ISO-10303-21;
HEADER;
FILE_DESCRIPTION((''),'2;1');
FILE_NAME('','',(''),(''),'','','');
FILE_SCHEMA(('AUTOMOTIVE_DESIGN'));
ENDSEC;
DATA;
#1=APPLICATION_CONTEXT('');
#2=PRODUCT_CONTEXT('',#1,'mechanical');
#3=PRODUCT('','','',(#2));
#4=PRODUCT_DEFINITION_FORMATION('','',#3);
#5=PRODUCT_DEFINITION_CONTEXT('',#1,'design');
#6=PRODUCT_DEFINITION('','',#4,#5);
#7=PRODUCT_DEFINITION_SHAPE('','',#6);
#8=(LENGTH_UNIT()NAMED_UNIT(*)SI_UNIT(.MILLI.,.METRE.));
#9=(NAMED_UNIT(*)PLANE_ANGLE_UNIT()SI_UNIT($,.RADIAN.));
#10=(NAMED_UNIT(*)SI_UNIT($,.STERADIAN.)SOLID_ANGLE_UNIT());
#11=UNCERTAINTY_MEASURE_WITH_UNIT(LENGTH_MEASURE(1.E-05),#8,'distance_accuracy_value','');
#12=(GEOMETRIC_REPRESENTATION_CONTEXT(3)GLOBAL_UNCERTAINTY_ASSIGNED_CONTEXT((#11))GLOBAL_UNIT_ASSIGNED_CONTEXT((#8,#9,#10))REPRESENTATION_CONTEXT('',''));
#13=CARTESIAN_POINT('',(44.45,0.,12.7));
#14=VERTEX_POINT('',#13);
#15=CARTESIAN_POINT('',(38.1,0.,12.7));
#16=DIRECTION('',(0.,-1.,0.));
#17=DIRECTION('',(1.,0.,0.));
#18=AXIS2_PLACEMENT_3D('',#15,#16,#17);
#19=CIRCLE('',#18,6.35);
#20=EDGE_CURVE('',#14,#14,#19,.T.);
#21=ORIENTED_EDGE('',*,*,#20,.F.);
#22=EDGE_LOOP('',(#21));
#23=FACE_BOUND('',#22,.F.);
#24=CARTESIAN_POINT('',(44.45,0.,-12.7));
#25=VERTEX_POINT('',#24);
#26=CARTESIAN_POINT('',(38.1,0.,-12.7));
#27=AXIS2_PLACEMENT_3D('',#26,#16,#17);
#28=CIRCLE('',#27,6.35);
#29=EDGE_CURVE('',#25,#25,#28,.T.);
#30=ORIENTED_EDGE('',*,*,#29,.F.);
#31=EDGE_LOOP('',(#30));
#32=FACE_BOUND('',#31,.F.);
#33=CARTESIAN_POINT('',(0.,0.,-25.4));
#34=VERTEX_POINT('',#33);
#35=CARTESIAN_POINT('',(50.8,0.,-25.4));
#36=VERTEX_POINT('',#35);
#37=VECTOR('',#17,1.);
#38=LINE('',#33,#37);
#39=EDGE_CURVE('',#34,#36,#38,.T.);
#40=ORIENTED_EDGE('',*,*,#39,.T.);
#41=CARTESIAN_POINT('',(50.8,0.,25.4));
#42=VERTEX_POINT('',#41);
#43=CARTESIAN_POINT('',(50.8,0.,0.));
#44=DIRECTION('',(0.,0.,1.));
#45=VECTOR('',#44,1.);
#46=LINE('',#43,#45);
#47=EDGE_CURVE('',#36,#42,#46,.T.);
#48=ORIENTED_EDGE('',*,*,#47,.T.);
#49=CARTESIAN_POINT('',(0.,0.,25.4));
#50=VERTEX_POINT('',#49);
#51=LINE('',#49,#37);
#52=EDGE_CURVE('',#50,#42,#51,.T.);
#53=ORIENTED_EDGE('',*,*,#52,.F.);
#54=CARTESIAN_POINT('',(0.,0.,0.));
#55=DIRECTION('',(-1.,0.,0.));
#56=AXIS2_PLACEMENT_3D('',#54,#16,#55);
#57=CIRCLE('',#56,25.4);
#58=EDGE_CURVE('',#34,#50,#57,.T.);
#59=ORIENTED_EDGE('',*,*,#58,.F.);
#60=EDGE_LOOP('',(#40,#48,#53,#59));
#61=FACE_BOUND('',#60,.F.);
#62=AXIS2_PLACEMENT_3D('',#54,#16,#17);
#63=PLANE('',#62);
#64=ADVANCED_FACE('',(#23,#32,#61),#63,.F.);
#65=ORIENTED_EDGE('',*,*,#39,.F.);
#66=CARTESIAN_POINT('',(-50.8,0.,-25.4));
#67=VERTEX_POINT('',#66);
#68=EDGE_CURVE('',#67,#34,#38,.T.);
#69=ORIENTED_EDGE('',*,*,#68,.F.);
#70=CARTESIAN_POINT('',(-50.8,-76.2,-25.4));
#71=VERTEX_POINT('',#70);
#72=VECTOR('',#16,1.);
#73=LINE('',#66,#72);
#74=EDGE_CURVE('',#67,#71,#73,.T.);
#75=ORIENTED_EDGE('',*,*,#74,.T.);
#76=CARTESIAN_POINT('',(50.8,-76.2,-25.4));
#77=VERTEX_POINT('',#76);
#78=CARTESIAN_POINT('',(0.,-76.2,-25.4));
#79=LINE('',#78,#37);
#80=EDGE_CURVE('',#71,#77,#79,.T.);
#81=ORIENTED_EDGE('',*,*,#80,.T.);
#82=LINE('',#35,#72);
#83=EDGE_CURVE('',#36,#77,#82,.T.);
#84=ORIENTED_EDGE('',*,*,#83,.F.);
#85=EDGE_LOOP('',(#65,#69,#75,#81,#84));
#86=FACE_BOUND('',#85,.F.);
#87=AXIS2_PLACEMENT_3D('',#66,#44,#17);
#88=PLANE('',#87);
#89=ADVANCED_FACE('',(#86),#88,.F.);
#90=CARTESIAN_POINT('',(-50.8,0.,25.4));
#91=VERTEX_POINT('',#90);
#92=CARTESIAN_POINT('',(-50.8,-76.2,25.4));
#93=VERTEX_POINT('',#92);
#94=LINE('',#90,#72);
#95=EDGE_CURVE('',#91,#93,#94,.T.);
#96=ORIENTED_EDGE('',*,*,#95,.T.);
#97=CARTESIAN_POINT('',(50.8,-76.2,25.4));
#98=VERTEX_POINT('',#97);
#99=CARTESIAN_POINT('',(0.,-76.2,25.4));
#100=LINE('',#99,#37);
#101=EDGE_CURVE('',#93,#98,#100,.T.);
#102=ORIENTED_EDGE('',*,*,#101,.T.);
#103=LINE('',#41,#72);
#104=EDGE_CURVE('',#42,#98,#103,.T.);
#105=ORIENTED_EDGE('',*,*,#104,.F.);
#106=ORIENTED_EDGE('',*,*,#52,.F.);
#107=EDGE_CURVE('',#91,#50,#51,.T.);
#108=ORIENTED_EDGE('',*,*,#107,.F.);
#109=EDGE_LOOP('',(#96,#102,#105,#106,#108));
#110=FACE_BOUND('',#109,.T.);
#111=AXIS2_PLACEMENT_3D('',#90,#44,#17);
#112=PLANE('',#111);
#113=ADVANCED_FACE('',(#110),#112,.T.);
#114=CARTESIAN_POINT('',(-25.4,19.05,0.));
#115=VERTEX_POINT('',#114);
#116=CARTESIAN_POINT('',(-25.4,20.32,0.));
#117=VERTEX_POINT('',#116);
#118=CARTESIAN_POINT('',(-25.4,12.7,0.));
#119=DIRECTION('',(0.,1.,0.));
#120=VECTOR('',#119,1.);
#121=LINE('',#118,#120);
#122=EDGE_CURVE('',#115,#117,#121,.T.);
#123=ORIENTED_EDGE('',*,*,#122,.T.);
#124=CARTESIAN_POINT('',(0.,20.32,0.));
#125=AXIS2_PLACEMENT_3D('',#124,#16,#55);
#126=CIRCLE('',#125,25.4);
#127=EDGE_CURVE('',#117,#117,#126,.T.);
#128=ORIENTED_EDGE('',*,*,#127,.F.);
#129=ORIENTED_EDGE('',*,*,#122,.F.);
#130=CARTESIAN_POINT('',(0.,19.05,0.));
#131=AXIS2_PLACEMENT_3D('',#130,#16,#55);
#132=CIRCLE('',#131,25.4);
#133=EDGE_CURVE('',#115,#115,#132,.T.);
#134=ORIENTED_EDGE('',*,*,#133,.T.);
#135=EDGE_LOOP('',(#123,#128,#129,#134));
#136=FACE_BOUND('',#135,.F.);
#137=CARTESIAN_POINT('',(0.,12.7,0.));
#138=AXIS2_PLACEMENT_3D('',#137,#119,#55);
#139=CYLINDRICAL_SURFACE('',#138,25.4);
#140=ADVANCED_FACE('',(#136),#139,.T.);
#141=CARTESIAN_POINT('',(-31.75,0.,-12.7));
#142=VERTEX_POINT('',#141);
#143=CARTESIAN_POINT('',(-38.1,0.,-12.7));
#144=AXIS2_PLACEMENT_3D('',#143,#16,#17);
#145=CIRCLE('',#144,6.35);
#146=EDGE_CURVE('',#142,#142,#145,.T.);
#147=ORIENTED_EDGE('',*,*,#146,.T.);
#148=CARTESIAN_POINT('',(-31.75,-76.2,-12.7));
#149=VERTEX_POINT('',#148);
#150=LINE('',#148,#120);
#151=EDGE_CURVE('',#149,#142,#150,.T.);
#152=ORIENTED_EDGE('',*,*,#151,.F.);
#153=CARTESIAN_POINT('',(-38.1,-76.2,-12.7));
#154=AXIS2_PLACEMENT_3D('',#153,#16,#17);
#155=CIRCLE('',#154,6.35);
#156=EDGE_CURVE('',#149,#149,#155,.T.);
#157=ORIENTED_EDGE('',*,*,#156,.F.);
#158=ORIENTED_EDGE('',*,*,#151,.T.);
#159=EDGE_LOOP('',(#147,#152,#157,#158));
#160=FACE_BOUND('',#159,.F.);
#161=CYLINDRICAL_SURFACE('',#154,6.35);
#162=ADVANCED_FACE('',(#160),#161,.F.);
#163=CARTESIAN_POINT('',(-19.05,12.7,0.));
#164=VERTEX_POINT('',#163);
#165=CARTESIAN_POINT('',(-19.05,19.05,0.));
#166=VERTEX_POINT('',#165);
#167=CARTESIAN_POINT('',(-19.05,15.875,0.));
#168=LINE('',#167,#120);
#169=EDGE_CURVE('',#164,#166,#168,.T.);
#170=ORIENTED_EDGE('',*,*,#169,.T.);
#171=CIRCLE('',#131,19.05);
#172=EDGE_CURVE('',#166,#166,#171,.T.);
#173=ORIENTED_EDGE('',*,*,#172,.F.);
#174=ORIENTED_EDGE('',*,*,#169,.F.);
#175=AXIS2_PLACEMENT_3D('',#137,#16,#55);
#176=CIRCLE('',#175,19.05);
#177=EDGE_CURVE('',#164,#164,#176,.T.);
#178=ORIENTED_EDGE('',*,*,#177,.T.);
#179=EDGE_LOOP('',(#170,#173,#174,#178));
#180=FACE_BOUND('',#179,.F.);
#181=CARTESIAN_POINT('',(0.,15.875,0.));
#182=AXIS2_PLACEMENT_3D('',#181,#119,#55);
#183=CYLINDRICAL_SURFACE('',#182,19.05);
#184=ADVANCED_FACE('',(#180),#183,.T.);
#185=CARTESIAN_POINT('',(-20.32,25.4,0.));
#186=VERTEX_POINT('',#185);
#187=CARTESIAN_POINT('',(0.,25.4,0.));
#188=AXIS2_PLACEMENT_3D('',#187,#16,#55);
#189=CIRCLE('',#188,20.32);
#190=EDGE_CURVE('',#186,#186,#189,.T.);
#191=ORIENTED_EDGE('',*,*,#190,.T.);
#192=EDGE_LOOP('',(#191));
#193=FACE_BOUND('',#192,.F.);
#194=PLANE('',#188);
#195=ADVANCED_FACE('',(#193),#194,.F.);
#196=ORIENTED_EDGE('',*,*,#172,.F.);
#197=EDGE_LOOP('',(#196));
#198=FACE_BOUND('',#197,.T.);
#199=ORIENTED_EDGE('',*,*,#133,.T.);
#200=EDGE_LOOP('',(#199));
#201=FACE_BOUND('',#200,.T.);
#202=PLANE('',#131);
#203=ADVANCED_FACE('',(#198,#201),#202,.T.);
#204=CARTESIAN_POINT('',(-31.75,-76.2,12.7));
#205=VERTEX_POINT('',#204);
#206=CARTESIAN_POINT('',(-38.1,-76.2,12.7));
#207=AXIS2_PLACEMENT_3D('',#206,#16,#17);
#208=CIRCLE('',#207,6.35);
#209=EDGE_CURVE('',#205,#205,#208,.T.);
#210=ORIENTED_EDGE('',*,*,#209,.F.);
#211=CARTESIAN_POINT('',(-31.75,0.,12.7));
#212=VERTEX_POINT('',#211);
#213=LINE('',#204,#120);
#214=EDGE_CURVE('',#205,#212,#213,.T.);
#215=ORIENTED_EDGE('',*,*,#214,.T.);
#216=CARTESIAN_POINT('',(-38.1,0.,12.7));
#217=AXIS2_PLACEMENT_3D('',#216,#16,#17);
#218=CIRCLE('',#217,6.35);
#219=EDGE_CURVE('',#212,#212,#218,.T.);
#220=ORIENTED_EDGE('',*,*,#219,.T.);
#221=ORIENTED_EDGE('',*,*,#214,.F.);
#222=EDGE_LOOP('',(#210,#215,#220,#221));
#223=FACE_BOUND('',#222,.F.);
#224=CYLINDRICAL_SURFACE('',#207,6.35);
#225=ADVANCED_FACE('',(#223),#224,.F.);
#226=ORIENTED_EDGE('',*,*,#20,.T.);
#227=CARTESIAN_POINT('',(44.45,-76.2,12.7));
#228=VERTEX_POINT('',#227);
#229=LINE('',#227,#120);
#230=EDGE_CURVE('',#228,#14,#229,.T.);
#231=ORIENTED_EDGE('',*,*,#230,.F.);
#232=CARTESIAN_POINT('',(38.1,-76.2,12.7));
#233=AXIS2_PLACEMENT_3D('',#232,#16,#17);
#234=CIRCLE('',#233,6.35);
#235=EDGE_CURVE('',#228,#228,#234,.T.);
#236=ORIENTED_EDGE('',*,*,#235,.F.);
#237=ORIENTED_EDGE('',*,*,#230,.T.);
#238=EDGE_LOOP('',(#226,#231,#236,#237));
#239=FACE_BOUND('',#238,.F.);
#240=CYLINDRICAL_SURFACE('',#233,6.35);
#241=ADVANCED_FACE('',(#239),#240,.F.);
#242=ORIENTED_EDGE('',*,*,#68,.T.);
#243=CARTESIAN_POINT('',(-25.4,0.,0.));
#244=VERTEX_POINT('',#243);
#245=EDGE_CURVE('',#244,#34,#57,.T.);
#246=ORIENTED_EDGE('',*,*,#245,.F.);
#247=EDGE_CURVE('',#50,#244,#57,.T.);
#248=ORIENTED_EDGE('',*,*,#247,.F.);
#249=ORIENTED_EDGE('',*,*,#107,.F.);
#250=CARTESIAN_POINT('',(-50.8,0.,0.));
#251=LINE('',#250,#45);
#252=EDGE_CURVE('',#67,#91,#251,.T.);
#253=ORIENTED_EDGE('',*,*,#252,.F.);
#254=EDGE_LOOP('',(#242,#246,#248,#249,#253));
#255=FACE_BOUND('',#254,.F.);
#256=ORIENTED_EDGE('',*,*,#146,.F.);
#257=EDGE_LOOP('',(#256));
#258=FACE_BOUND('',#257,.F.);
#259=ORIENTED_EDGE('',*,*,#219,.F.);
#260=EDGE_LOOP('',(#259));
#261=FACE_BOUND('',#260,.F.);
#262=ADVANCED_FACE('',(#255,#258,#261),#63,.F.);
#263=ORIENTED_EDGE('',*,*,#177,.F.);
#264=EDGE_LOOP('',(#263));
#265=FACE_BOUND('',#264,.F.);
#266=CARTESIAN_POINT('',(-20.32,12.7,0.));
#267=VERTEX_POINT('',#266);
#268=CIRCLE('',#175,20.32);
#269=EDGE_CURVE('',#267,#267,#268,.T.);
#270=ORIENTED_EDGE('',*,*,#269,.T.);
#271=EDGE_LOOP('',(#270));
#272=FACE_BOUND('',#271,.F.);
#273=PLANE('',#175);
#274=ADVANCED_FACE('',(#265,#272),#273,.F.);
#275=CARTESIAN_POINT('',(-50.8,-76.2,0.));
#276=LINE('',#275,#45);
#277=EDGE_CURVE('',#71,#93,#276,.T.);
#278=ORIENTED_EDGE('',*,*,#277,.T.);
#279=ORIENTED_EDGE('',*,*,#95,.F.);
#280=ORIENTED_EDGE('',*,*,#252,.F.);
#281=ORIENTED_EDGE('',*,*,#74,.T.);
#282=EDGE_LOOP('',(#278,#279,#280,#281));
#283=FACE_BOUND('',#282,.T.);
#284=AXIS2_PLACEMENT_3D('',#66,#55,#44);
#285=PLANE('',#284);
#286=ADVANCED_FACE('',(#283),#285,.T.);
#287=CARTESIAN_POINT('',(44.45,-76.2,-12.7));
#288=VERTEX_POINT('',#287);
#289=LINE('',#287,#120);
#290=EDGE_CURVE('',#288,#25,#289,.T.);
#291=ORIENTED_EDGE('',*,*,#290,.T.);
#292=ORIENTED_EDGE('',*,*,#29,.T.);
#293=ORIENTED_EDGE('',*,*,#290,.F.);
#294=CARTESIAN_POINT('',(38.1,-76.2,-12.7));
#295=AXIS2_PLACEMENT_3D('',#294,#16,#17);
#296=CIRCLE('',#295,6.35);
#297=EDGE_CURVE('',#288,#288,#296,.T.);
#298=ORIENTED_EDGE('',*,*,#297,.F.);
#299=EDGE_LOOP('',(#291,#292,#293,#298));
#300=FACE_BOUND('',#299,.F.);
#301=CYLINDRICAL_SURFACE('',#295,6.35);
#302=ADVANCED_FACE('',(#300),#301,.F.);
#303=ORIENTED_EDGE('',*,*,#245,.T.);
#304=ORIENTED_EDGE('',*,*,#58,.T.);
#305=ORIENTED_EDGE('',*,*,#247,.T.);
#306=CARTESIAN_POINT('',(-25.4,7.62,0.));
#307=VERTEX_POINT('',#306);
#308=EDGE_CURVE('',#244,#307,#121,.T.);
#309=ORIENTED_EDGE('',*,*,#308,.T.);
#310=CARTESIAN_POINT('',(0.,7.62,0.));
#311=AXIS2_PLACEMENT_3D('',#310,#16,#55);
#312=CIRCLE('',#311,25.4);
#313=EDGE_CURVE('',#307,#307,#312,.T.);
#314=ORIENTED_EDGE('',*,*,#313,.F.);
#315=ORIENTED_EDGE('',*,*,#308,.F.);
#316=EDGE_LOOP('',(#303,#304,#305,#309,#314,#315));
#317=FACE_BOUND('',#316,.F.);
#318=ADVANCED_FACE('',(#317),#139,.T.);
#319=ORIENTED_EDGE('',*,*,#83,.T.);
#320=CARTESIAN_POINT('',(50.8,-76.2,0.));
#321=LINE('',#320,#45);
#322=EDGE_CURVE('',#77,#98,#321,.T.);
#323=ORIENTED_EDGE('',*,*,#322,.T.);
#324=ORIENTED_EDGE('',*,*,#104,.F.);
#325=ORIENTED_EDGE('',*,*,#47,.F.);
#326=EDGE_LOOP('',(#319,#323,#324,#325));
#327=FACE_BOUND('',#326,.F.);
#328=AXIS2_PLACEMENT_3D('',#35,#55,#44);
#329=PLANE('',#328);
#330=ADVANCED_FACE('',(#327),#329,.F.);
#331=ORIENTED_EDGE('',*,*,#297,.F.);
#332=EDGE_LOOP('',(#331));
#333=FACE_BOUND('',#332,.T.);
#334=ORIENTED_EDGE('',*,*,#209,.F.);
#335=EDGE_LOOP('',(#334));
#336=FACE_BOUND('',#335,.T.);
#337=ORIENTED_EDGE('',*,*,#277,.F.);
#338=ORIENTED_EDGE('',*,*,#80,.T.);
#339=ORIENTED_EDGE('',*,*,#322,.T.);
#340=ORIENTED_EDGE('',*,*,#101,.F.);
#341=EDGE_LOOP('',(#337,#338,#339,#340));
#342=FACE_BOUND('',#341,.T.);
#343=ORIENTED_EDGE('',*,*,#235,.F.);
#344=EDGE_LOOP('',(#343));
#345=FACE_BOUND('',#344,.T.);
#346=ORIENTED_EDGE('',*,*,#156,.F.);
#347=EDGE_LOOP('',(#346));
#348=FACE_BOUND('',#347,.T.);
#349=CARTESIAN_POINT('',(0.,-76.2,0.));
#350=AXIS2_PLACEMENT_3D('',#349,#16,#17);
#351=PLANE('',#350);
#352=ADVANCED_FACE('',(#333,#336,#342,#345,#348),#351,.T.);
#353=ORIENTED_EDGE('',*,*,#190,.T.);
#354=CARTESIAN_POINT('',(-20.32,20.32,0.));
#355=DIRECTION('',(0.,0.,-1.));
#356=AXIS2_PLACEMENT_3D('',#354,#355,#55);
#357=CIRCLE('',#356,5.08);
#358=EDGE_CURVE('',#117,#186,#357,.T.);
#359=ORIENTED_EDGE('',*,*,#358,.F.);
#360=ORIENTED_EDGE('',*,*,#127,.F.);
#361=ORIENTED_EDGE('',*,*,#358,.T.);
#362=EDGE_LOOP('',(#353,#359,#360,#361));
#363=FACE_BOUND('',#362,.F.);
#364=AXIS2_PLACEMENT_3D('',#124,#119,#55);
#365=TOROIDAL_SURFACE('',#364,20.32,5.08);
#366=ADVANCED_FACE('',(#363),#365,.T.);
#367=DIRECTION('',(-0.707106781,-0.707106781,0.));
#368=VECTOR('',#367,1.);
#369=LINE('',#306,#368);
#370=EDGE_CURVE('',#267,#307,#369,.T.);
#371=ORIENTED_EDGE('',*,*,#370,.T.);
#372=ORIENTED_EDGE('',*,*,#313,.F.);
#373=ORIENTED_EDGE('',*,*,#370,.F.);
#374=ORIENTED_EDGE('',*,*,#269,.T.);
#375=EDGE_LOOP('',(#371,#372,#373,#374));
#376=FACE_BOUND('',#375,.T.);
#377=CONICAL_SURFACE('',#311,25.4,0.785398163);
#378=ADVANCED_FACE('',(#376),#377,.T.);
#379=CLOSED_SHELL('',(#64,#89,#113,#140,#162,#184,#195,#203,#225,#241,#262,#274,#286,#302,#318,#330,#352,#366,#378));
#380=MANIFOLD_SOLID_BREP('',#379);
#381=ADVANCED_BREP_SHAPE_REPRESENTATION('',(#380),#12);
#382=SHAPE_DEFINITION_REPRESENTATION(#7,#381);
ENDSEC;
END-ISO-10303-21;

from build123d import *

# Parameters (mm, degrees)
F0_W     = 101.6
F0_H     = 50.8
F1_DEPTH = 76.2
F2_R     = 6.35
F3_DEPTH = 76.201
F4_W     = 25.4
F4_H     = 25.4
F6_W     = 6.35
F6_H     = 6.35
F8_R     = 5.08
F9_SIZE  = 5.08


with BuildPart() as f1:
    # F0 (on Front) → F1 (new body)
    with BuildSketch(Plane.XZ):
        Rectangle(F0_W, F0_H)
    extrude(amount=F1_DEPTH)

    # F2 (on face) → F3 (cut, through all)
    with BuildSketch(Plane.XZ.offset(76.2)):
        with Locations((-38.1, 12.7)):
            Circle(F2_R)
        with Locations((-38.1, -12.7)):
            Circle(F2_R)
        with Locations((38.1, 12.7)):
            Circle(F2_R)
        with Locations((38.1, -12.7)):
            Circle(F2_R)
    extrude(amount=-F3_DEPTH, mode=Mode.SUBTRACT)

    # F4 (on Top) → F5 (revolve)
    with BuildSketch(Plane.XY):
        with Locations((-12.7, 12.7)):
            Rectangle(F4_W, F4_H)
    revolve(axis=Axis((0, 12.7, 0), (0, -1, 0)))

    # F6 (on Top) → F7 (revolve, cut)
    with BuildSketch(Plane.XY):
        with Locations((-22.225, 15.875)):
            Rectangle(F6_W, F6_H)
    revolve(axis=Axis((0, -10.316852, 0), (0, -1, 0)), mode=Mode.SUBTRACT)

    # F8
    f8_edges = [f1.edges().sort_by_distance(p)[0] for p in [
        (25.4, 25.4, 0),
    ]]
    fillet(f8_edges, radius=F8_R)

    # F9
    f9_edges = [f1.edges().sort_by_distance(p)[0] for p in [
        (25.4, 12.7, 0),
    ]]
    chamfer(f9_edges, length=F9_SIZE)


solid = f1.part
